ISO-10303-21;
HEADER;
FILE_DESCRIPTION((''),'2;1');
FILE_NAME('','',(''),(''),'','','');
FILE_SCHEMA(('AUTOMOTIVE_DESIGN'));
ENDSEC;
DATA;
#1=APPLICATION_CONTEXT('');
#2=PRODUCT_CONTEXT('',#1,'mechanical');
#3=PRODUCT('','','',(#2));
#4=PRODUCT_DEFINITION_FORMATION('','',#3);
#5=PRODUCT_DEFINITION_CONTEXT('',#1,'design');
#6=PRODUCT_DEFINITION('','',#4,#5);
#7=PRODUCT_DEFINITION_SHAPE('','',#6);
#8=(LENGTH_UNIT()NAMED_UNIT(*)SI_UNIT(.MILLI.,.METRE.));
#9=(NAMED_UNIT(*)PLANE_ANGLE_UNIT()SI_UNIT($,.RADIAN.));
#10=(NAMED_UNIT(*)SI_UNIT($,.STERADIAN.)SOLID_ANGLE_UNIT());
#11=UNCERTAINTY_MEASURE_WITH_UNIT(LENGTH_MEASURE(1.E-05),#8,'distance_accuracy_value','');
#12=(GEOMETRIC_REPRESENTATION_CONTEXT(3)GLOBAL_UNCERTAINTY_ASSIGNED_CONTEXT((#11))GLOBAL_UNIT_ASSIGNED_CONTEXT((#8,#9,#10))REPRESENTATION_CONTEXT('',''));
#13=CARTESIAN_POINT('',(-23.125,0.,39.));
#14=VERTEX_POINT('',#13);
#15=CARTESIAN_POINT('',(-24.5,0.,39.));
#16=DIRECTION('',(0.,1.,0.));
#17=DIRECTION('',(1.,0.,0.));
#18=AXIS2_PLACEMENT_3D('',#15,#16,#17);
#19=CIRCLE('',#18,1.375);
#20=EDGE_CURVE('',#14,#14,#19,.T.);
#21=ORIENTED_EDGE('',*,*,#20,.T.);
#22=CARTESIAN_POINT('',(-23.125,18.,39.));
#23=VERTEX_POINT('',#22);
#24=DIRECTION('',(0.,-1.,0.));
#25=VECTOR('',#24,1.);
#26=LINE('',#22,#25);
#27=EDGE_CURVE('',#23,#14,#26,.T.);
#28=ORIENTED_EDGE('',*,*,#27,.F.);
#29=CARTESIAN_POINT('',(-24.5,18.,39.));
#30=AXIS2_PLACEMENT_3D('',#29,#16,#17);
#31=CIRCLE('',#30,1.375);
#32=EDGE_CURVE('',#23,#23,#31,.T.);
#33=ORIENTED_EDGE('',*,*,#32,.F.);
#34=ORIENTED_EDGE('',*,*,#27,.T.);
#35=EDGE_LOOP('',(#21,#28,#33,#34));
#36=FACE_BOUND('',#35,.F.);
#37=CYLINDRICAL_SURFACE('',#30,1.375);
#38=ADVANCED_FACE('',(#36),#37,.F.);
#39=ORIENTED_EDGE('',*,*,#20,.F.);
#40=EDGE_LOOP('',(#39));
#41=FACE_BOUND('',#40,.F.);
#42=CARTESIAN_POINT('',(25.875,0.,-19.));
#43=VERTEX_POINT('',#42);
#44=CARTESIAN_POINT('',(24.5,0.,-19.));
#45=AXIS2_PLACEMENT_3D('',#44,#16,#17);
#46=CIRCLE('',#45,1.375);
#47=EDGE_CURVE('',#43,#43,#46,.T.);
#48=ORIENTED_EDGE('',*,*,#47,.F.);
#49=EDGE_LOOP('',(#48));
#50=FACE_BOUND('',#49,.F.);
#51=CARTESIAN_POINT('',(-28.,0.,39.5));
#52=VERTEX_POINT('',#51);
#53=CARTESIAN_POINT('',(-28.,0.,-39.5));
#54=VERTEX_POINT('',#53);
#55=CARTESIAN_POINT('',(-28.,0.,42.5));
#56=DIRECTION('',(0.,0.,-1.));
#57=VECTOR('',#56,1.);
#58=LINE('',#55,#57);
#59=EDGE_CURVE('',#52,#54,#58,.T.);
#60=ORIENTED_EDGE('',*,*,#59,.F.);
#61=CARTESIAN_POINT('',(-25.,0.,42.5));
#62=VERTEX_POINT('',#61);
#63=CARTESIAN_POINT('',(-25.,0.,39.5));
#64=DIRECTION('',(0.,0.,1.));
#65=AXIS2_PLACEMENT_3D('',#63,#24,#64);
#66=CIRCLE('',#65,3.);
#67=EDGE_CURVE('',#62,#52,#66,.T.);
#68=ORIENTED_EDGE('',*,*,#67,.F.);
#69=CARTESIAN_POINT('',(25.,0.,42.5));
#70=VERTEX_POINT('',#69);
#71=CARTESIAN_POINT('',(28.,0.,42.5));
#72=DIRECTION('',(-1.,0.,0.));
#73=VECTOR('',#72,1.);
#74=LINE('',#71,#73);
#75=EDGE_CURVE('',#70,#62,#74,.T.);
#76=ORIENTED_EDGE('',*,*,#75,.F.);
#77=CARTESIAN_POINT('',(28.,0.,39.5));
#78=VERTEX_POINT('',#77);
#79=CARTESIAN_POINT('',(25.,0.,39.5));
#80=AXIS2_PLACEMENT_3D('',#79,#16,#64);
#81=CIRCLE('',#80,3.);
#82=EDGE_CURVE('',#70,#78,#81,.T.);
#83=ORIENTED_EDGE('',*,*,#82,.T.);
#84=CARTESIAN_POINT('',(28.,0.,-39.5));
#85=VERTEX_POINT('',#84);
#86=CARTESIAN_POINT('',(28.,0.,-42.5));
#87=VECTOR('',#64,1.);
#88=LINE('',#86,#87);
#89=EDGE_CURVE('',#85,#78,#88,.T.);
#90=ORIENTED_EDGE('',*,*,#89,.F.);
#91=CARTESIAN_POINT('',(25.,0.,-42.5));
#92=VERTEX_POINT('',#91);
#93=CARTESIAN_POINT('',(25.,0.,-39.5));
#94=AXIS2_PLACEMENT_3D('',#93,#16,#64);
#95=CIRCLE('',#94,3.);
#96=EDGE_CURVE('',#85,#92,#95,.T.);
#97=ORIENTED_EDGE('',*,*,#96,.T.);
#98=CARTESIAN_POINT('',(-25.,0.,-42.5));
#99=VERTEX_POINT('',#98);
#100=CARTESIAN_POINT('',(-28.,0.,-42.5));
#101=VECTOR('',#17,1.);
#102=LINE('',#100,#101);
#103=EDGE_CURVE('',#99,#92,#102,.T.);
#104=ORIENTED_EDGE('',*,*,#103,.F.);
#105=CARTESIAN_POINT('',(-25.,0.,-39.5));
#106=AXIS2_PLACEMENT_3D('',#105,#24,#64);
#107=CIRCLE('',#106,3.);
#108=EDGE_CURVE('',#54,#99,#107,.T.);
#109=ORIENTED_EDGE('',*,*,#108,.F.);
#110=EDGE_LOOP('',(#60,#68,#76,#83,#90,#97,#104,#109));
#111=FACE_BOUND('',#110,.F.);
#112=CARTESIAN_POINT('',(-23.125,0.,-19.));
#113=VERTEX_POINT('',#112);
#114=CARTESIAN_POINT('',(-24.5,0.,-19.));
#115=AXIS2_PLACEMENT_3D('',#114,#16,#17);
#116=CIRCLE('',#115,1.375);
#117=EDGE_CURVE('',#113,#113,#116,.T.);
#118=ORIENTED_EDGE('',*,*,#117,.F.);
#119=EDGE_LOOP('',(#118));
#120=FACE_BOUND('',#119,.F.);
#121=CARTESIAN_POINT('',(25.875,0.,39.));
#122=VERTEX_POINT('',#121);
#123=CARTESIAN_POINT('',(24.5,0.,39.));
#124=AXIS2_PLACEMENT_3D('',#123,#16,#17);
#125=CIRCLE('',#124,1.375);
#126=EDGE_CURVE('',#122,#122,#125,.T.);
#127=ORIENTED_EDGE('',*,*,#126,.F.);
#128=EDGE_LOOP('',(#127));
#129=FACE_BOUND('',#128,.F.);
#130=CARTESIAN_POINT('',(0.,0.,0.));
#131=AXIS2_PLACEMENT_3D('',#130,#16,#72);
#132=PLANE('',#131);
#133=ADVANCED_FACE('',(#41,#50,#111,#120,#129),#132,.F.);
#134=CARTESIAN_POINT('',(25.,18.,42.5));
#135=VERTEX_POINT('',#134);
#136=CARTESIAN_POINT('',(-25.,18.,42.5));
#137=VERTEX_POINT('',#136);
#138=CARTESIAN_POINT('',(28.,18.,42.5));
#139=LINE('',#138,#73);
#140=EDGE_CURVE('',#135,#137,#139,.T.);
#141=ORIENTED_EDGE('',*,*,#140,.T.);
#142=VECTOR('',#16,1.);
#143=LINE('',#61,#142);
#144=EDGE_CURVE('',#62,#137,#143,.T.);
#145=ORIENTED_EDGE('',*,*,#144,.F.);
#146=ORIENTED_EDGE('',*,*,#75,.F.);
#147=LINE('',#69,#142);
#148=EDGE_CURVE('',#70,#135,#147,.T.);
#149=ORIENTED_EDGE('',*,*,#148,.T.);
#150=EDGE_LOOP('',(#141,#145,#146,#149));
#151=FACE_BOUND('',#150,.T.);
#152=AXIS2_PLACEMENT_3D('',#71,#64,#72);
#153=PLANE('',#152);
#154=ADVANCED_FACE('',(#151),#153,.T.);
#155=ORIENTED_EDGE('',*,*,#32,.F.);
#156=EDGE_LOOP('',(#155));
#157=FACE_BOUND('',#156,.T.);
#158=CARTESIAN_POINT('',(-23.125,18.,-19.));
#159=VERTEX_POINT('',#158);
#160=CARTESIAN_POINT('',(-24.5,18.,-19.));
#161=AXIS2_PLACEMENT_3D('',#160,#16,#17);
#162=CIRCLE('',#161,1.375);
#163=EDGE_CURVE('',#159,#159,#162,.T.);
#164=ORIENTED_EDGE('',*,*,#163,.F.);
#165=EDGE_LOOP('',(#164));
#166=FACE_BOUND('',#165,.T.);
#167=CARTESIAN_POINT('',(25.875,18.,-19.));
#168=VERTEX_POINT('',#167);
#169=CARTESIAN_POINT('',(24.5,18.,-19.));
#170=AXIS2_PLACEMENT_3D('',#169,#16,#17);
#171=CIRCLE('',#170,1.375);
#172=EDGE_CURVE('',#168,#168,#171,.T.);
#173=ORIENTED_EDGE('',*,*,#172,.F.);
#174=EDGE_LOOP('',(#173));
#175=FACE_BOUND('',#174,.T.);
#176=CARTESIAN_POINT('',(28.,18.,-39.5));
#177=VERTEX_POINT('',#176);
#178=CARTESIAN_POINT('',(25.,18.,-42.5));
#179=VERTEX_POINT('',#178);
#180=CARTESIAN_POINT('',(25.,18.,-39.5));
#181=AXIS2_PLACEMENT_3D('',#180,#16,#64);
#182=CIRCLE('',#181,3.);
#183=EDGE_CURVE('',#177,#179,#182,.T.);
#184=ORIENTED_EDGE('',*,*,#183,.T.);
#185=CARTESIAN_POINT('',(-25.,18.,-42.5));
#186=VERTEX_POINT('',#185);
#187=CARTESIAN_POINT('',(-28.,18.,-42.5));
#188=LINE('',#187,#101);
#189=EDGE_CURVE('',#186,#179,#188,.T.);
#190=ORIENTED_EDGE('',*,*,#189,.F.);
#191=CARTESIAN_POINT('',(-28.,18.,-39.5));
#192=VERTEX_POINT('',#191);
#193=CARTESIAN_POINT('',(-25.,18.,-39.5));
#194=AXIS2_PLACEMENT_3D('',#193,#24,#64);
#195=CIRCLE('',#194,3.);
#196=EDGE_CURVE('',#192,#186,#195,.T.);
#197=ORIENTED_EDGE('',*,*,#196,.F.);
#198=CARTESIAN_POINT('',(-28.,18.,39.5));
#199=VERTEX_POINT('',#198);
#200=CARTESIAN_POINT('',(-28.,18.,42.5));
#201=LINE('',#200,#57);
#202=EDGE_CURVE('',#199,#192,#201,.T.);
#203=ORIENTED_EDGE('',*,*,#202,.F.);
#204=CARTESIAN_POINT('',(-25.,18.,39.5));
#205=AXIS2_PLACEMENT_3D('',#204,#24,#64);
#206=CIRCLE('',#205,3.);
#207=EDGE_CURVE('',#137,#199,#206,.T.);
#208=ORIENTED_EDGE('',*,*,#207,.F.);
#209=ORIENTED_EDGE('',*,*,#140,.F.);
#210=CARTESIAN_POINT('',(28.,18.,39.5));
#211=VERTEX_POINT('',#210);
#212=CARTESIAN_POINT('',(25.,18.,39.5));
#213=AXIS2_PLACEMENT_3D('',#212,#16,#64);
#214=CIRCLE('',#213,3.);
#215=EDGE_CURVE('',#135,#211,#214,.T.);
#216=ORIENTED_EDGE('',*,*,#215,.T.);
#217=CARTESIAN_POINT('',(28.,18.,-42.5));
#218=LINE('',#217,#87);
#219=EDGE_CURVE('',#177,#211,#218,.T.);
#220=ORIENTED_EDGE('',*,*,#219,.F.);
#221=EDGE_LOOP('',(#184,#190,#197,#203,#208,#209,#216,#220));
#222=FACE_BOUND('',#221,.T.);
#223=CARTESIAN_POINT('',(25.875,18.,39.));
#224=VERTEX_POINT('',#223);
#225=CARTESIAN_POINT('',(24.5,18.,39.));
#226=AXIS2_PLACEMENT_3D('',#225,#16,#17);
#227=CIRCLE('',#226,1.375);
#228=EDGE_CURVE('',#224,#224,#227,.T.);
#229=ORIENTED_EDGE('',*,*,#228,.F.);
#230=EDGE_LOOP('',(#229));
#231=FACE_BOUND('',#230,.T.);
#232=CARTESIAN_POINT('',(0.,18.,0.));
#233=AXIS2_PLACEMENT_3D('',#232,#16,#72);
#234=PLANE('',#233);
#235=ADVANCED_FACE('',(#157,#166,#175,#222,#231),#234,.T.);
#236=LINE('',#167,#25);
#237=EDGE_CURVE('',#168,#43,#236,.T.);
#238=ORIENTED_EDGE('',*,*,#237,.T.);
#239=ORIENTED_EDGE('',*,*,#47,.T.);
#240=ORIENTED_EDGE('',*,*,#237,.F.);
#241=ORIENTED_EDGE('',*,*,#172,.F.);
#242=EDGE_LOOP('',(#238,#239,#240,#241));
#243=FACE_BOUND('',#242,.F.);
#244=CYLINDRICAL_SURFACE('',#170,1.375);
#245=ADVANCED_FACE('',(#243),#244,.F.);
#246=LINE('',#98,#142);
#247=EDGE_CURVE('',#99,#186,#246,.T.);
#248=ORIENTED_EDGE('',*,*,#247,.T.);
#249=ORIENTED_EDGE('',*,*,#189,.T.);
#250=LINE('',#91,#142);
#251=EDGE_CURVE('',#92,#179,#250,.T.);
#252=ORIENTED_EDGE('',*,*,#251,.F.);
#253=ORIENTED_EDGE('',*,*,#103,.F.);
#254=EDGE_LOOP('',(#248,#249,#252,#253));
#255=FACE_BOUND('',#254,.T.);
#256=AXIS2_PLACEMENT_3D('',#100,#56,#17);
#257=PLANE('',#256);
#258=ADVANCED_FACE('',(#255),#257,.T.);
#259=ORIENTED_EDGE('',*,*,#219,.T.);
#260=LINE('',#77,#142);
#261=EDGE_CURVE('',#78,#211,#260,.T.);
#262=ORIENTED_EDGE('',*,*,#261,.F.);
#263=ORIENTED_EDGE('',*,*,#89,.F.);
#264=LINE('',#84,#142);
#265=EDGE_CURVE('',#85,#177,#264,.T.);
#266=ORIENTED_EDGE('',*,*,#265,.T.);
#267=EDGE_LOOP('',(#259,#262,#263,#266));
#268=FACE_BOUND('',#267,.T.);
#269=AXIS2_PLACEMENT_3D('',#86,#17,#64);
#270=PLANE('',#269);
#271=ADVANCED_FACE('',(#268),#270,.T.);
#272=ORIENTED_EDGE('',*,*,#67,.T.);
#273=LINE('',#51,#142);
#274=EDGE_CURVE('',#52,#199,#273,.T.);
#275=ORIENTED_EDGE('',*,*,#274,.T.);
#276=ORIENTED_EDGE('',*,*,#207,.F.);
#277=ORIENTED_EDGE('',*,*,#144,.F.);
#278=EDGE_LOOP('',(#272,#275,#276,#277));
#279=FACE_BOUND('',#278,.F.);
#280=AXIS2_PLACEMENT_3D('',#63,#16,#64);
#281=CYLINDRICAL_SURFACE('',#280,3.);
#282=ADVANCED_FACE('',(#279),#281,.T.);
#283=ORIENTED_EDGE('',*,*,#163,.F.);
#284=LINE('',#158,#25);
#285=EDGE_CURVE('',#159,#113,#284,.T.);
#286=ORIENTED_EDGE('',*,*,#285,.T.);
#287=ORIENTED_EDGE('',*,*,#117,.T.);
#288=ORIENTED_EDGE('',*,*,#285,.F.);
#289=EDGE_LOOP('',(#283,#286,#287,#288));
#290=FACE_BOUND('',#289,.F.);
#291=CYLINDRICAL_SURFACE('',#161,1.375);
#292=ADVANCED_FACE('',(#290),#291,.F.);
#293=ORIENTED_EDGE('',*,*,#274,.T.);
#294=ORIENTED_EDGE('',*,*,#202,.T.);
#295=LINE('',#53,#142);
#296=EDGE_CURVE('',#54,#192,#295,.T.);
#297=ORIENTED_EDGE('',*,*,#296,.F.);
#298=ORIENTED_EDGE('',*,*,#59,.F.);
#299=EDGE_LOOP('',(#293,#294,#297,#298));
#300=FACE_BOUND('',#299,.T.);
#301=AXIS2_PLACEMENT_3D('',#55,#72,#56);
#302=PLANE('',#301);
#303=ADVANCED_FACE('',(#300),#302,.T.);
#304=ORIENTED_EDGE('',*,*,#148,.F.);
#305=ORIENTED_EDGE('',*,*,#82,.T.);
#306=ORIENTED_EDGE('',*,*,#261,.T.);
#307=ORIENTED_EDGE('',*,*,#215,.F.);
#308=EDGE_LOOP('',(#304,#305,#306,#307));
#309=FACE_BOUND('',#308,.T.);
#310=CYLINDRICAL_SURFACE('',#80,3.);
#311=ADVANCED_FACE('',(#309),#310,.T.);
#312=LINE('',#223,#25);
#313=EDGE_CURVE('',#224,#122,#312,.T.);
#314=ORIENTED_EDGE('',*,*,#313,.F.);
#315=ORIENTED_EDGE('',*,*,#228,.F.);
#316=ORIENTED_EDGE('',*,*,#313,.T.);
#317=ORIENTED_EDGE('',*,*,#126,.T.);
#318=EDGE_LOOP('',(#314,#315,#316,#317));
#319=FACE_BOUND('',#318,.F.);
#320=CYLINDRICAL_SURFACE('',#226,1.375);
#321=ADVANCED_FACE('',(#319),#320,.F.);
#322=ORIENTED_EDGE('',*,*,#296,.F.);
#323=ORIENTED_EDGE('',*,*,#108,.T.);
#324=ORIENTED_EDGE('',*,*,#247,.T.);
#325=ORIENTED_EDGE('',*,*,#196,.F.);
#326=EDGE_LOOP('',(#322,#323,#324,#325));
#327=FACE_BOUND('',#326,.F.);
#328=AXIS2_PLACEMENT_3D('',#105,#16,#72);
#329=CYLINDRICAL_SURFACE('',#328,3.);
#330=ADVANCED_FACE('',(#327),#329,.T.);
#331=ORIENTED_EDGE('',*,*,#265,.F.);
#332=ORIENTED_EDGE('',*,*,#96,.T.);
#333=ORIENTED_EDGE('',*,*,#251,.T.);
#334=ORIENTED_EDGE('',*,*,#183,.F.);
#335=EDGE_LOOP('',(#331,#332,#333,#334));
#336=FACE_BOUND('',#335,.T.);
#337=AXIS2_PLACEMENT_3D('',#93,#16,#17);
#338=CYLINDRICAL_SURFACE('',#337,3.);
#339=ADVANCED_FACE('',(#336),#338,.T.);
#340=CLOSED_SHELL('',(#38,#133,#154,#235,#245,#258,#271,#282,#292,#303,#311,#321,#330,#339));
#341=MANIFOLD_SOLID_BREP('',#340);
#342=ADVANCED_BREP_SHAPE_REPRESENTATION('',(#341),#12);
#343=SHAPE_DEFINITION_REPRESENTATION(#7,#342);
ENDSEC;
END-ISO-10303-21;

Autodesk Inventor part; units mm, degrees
ref_plane "YZ Plane" through (0, 0, 0) normal (1, 0, 0) x (0, 1, 0)
ref_plane "XZ Plane" through (0, 0, 0) normal (0, 1, 0) x (-1, 0, 0)
ref_plane "XY Plane" through (0, 0, 0) normal (0, 0, 1) x (1, 0, 0)
sketch "Sketch1" plane through (0, 0, 0) normal (0, 1, 0) x (-1, 0, 0)
  line L0 (-28, 42.5) -> (28, 42.5)
  line L1 (28, 42.5) -> (28, -42.5)
  line L2 (28, -42.5) -> (-28, -42.5)
  line L3 (-28, -42.5) -> (-28, 42.5)
  point P0 (0, 0)
  point P1 (28, 0)
  point P2 (0, 42.5)
  dimension "d0" = 85
  dimension "d1" = 56
extrude "Extrusion1" add sketch "Sketch1" along normal blind 18
sketch "Sketch2" plane through (0, 18, 0) normal (0, 1, 0) x (1, 0, 0)
  circle A0 centre (-24.5, -39) radius 1.375
  circle A1 centre (24.5, -39) radius 1.375
  circle A2 centre (24.5, 19) radius 1.375
  circle A3 centre (-24.5, 19) radius 1.375
  line L0 (-28, 42.5) -> (-28, -42.5) projected
  line L1 (28, 42.5) -> (28, -42.5) projected
  line L2 (-28, -42.5) -> (28, -42.5) projected
  point P0 (0, 0)
  dimension "d4" = 3.5
  dimension "d5" = 3.5
  dimension "d6" = 58
  dimension "d7" = 2.75
  dimension "d8" = 3.5
extrude "Extrusion2" cut sketch "Sketch2" against normal through all
fillet "Fillet1" radius 3 4 edges at (28, 9, -42.5) (-28, 9, -42.5) (28, 9, 42.5) (-28, 9, 42.5)
equation "\"d0\" = Rpi_width"
equation "\"d1\" = Rpi_heigth"
equation "\"d4\" = Rpi_hole_distance_wall"
equation "\"d5\" = d4"
equation "\"d6\" = Rpi_hole_distance_between"
equation "\"d7\" = Rpi_hole_diameter"
equation "\"d8\" = d4"
equation "\"d11\" = Rpi_corner_radius"
equation "\"Rpi_hole_diameter\" = 2.75"
equation "\"Rpi_hole_distance_wall\" = 3.5"
equation "\"Rpi_hole_distance_between\" = 58"
equation "\"Rpi_width\" = 85"
equation "\"Rpi_heigth\" = 56"
equation "\"Rpi_corner_radius\" = 3"
properties part number "RaspberryPi_Placeholder"
